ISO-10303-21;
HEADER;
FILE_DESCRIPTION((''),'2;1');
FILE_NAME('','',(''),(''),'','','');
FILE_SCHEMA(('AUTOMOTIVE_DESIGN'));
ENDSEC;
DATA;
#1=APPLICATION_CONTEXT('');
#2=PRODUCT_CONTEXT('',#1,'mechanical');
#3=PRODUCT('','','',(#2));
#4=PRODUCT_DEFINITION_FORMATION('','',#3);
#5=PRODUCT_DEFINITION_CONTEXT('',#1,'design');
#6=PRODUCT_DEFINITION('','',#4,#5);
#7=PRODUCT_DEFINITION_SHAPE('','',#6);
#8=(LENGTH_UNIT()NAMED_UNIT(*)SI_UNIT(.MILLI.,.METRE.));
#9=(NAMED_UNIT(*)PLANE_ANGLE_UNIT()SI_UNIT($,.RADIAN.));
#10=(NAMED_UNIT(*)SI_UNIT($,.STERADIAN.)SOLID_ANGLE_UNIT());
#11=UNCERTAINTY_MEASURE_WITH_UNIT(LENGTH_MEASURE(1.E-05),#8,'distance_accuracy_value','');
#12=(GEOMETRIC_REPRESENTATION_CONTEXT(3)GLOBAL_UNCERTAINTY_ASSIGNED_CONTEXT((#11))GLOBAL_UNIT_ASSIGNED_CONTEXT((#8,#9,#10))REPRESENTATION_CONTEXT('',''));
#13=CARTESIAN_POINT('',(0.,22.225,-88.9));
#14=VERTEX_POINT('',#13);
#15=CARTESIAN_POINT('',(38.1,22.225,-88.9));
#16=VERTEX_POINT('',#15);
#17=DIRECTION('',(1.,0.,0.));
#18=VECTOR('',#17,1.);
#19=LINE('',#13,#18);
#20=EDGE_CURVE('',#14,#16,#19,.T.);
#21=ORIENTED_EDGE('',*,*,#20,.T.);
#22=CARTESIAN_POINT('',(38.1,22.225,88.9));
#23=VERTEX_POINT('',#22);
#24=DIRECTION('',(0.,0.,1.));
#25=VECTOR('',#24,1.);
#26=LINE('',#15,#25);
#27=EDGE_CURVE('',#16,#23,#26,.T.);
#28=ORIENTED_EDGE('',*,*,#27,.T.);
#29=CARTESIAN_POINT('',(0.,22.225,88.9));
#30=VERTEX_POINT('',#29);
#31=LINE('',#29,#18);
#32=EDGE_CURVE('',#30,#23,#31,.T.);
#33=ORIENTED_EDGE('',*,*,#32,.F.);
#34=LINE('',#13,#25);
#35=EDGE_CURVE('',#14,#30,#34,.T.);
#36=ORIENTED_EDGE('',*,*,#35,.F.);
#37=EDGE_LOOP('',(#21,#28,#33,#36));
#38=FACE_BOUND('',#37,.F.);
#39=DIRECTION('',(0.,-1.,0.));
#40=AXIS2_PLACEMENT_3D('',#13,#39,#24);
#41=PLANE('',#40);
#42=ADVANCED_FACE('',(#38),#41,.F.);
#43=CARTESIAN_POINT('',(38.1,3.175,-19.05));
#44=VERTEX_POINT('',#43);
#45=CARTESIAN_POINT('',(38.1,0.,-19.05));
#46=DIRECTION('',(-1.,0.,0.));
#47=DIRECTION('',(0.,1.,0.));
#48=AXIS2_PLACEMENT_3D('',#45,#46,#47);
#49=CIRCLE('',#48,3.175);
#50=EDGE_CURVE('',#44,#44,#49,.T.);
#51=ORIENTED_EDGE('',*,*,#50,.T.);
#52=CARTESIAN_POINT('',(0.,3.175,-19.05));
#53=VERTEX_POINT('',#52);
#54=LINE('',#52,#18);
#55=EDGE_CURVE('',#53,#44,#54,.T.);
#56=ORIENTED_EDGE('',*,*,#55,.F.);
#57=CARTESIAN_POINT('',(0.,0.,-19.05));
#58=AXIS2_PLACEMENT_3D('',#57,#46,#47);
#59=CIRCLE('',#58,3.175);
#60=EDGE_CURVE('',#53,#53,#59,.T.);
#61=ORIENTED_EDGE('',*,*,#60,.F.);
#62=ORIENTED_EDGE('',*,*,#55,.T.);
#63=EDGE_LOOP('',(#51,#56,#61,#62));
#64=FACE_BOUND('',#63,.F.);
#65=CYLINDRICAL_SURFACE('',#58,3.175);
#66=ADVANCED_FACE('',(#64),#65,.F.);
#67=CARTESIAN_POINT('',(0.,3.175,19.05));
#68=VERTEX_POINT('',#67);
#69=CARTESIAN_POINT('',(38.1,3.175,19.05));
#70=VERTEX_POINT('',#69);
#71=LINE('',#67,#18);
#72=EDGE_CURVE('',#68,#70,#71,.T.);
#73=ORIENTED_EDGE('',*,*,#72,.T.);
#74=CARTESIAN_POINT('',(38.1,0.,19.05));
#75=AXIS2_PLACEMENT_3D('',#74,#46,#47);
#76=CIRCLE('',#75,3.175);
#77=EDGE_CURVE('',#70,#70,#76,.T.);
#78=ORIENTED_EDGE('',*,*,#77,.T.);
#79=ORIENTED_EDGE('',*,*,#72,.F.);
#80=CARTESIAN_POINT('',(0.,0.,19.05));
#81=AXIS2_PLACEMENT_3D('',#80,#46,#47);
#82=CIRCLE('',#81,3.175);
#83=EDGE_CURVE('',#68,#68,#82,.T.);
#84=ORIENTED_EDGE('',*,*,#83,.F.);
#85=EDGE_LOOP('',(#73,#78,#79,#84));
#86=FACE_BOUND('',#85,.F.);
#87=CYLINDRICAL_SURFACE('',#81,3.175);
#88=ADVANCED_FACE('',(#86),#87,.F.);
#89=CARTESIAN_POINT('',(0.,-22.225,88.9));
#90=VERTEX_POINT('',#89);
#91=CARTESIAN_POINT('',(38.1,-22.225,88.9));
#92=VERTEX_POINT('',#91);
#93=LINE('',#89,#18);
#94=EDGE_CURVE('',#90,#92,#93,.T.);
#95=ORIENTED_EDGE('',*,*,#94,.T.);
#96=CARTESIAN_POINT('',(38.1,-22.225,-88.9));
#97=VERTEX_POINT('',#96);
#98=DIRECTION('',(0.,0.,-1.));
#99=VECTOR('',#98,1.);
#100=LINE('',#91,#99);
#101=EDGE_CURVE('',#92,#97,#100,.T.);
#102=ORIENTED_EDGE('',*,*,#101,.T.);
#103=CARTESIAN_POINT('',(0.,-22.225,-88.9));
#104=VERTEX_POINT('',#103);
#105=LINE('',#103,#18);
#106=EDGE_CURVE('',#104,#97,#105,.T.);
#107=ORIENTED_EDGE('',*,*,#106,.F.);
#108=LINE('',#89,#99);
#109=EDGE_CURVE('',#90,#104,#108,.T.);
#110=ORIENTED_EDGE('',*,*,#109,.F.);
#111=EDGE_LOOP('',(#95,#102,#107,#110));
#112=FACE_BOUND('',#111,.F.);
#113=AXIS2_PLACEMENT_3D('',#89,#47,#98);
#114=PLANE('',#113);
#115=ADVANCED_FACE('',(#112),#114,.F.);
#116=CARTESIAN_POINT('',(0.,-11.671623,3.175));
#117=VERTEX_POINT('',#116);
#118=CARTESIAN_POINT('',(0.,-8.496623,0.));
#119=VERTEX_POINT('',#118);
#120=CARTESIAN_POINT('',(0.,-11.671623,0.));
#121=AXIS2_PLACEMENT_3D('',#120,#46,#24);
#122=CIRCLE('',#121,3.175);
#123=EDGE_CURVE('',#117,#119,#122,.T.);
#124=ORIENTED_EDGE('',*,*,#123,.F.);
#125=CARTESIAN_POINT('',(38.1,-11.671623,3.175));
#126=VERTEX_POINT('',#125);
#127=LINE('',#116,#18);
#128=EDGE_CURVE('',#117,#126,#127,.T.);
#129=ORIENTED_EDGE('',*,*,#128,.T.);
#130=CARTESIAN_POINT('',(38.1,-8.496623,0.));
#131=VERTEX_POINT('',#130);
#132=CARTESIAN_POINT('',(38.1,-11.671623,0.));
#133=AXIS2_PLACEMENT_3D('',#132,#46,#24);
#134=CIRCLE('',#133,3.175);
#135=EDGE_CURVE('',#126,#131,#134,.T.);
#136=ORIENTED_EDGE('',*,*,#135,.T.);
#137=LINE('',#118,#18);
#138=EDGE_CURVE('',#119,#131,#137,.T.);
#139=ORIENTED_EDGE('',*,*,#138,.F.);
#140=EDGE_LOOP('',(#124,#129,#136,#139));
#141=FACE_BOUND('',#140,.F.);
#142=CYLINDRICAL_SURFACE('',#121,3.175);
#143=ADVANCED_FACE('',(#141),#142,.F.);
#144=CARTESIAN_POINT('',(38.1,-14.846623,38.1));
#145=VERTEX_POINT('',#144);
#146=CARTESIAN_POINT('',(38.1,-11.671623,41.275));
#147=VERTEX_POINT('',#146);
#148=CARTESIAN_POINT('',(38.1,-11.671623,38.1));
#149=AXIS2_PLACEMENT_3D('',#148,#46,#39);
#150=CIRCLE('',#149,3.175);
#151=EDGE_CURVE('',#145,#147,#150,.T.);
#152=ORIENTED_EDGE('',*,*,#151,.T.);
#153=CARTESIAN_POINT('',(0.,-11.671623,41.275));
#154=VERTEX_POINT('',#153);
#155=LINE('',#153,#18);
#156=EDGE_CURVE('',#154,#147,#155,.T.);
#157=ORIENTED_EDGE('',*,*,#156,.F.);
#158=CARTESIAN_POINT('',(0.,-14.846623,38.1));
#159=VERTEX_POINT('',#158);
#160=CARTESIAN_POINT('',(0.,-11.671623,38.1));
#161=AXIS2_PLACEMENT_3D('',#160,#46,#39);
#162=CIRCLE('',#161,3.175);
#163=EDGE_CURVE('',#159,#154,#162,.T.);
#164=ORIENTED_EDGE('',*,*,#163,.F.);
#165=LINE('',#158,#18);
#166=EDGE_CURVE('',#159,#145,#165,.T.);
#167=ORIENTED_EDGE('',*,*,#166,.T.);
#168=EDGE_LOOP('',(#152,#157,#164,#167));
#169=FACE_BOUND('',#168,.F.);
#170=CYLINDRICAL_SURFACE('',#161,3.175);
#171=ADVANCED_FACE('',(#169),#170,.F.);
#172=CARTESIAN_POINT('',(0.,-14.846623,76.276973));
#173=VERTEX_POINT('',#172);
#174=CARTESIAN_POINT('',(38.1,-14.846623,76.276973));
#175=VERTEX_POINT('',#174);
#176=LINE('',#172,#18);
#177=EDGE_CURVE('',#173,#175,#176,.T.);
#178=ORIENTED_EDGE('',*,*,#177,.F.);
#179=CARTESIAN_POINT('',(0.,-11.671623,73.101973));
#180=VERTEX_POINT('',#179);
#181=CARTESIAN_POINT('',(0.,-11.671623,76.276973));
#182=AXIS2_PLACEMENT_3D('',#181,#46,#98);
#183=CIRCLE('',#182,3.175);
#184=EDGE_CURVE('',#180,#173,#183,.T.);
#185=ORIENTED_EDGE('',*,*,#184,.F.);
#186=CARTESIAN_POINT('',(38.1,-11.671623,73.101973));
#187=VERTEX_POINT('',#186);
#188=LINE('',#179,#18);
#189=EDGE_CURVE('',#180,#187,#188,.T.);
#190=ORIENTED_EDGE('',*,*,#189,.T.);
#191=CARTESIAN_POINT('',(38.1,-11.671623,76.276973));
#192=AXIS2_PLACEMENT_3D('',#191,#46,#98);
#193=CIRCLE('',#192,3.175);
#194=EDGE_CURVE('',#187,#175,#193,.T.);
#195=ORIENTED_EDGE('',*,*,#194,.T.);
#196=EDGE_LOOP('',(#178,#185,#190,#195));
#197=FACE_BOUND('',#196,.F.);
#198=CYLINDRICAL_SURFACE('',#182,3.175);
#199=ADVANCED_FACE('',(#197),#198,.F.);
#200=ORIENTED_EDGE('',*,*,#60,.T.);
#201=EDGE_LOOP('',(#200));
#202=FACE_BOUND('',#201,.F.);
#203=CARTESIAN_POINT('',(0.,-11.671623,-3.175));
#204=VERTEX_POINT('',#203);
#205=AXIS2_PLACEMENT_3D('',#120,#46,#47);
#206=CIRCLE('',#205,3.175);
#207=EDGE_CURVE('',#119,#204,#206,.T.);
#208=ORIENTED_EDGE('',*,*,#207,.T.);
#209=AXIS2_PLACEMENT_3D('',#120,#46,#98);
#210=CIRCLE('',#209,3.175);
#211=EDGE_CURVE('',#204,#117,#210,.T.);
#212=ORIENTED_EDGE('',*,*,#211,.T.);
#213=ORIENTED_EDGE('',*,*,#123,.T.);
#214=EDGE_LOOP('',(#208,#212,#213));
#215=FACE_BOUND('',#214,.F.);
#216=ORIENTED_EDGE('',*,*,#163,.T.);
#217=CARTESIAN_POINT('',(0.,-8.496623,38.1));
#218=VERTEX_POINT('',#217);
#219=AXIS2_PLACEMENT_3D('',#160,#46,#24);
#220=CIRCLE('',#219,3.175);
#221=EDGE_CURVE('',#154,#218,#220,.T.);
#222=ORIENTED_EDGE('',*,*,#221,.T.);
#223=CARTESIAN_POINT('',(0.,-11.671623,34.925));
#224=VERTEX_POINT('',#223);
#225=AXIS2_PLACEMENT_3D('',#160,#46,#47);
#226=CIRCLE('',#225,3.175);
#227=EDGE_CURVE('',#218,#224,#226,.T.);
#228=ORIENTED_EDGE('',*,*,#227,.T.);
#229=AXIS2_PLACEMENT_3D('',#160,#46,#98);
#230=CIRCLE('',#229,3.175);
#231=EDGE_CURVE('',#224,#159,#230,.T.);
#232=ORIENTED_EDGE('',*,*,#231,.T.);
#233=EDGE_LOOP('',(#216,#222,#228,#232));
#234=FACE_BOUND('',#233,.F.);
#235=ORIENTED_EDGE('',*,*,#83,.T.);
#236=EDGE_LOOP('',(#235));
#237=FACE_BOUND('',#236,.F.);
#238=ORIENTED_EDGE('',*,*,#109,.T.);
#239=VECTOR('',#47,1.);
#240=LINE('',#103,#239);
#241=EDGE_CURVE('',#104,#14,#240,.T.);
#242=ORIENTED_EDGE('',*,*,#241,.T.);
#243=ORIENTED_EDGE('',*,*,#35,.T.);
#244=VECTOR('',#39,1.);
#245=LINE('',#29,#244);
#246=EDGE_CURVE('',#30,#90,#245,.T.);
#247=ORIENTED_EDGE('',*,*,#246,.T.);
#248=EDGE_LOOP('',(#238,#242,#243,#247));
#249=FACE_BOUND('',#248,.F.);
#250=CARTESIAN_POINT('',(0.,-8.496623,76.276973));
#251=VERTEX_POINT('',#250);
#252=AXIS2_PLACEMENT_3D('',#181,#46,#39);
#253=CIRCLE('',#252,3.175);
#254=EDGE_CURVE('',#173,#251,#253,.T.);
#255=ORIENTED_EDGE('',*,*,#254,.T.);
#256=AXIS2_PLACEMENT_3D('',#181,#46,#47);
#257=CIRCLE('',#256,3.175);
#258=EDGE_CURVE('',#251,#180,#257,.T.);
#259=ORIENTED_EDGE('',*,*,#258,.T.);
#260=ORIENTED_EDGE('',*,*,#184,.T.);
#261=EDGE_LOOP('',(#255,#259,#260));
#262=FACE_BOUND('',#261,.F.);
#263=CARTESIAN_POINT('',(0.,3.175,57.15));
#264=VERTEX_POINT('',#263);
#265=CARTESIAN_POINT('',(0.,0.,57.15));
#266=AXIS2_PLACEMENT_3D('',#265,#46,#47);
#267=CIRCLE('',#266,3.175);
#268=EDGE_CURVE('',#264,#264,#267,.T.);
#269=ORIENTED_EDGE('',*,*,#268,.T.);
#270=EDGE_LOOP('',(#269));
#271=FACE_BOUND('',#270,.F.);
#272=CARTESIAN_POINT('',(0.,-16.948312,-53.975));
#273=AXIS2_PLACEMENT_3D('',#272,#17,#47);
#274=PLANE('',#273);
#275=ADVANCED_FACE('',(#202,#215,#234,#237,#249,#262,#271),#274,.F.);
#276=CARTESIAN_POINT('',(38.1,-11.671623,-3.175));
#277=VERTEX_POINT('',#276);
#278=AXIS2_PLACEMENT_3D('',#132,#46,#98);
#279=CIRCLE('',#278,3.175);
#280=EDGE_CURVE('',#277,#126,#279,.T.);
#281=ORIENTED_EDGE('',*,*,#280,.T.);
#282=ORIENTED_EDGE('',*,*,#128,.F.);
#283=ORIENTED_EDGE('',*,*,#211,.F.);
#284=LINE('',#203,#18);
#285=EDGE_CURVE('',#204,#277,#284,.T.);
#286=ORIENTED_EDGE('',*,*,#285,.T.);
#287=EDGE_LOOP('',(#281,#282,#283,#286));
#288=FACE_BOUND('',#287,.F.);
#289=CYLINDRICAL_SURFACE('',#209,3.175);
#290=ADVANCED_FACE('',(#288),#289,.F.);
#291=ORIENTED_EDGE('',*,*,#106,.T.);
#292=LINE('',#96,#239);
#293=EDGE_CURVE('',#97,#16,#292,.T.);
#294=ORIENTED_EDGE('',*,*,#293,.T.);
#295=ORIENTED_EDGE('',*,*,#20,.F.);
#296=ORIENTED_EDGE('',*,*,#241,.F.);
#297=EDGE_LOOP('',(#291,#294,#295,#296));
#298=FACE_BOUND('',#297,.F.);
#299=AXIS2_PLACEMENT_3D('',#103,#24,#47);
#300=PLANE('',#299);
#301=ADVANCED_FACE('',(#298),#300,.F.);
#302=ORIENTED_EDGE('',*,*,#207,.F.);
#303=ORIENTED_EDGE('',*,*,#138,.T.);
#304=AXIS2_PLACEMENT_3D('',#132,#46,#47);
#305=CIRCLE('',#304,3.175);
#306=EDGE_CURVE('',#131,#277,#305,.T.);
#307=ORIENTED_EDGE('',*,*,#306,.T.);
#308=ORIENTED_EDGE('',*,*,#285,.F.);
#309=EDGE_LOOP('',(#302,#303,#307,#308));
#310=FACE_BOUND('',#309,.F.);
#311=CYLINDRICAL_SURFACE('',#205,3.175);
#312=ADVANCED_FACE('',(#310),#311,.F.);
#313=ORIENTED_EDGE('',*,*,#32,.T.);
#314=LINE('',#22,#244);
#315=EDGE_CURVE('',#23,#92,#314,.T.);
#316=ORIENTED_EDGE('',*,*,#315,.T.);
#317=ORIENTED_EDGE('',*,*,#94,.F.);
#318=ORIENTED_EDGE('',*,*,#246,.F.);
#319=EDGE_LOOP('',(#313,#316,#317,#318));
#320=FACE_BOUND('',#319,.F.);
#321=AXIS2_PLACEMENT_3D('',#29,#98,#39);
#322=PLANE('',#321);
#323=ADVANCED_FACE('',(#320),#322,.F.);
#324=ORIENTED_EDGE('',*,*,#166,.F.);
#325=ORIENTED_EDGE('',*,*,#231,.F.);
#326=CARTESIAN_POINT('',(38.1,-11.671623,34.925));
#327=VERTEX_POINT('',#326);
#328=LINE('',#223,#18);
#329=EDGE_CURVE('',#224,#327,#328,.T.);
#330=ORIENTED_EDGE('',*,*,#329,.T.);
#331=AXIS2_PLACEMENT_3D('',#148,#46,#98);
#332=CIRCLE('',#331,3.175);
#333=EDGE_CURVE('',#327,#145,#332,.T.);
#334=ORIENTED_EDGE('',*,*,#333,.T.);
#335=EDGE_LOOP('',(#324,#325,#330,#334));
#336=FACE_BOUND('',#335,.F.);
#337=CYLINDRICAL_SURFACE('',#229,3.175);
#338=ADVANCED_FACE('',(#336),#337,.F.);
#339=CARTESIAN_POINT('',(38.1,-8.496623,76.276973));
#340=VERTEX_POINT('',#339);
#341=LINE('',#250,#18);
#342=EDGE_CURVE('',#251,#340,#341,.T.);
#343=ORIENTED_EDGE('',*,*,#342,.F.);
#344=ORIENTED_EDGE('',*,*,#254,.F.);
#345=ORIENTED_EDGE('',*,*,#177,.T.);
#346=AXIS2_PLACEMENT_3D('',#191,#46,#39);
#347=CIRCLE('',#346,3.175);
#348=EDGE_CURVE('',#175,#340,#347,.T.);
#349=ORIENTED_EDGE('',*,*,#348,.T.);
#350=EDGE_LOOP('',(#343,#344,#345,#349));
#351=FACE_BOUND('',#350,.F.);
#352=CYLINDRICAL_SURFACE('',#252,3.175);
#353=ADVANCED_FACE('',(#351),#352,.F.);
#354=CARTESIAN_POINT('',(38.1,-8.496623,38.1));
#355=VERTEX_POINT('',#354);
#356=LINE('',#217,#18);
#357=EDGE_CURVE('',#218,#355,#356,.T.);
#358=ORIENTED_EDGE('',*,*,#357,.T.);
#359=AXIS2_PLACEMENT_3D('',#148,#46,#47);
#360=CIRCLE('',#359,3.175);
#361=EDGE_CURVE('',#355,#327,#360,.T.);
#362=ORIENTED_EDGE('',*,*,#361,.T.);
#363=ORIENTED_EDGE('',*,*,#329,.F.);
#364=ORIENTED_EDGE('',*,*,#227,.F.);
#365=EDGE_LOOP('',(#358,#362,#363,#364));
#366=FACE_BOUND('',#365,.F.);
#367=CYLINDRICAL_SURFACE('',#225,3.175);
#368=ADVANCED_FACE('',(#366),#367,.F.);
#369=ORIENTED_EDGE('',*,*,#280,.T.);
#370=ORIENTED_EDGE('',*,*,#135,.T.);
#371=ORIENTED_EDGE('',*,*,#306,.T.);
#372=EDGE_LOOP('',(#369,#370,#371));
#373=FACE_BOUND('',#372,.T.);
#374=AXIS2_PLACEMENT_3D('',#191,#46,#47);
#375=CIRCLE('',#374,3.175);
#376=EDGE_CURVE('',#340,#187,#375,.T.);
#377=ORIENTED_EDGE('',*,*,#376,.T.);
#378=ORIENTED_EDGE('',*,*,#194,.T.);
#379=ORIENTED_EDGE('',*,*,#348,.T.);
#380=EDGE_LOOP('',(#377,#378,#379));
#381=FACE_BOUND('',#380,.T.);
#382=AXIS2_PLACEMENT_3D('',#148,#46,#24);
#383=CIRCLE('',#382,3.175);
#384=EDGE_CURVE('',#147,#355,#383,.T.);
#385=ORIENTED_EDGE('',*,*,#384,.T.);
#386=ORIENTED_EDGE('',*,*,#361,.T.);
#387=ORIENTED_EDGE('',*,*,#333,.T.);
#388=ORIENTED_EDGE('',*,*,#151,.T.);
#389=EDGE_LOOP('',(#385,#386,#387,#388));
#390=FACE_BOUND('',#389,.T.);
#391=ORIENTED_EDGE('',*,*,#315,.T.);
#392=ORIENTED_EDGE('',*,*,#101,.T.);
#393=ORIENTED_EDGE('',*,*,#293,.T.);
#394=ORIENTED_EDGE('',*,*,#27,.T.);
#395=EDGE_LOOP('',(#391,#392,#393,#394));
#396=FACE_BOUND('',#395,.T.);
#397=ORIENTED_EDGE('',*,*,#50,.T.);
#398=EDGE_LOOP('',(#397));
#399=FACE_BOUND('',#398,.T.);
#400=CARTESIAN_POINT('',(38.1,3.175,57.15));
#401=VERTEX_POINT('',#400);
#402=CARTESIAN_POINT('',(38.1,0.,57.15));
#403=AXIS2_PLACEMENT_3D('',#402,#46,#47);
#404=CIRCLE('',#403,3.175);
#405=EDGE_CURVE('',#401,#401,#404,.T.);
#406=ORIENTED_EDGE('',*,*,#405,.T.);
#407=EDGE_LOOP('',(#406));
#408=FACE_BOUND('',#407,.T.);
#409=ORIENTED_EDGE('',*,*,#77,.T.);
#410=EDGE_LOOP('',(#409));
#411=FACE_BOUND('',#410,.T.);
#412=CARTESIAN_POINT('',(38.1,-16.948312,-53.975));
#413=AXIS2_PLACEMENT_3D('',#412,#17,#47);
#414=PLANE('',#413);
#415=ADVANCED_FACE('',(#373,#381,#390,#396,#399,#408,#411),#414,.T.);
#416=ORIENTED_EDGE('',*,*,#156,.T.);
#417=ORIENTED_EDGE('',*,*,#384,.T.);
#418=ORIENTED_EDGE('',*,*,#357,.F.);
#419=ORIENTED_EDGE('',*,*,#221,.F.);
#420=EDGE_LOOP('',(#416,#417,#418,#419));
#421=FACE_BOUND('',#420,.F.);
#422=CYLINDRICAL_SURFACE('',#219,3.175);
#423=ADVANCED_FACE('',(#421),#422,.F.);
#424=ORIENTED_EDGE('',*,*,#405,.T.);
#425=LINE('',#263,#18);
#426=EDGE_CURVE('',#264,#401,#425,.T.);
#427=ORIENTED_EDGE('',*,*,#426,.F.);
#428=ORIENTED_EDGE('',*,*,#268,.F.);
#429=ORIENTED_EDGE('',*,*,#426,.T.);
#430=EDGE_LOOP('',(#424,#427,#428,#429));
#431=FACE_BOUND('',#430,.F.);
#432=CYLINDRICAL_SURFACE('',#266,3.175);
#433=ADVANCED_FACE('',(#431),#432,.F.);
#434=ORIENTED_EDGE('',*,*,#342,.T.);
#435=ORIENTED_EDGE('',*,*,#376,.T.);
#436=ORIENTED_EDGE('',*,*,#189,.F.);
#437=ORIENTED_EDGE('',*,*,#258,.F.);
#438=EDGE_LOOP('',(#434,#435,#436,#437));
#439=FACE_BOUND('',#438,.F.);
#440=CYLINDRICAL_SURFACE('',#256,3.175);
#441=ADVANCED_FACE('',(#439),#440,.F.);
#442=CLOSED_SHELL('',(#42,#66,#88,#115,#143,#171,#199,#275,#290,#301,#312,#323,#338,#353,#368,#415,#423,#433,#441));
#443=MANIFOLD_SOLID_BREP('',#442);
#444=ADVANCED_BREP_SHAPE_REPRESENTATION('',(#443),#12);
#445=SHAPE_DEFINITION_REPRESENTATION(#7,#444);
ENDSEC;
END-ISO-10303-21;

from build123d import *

# Parameters (mm, degrees)
F0_W     = 10.5533769431
F0_H     = 69.85
F1_DEPTH = 38.1


with BuildPart() as f1:
    # F0 (on Right) → F1 (new body)
    with BuildSketch(Plane.YZ):
        with Locations((-16.9483115284, -53.975)):
            Rectangle(F0_W, F0_H)
        with BuildLine():
            Line((22.225, -88.9), (22.225, -19.05))
            Line((22.225, -19.05), (3.175, -19.05))
            ThreePointArc((3.175, -19.05), (0, -22.225), (-3.175, -19.05))
            Line((-3.175, -19.05), (-11.6716230569, -19.05))
            Line((-11.6716230569, -19.05), (-11.6716230569, -88.9))
            Line((-11.6716230569, -88.9), (22.225, -88.9))
        make_face()
        with BuildLine():
            Line((-14.8466230569, 38.1000004709), (-22.225, 38.1000004709))
            Line((-22.225, 38.1000004709), (-22.225, 19.05))
            Line((-22.225, 19.05), (-11.6716230569, 19.05))
            Line((-11.6716230569, 19.05), (-11.6716230569, 34.9250004709))
            ThreePointArc((-11.6716230569, 34.9250004709), (-13.9166870871, 35.8549364406), (-14.8466230569, 38.1000004709))
        make_face()
        with BuildLine():
            Line((-11.6716230569, 19.05), (-22.225, 19.05))
            Line((-22.225, 19.05), (-22.225, -19.05))
            Line((-22.225, -19.05), (-11.6716230569, -19.05))
            Line((-11.6716230569, -19.05), (-11.6716230569, -3.175))
            ThreePointArc((-11.6716230569, -3.175), (-14.8466230569, 0), (-11.6716230569, 3.175))
            Line((-11.6716230569, 3.175), (-11.6716230569, 19.05))
        make_face()
        with BuildLine():
            Line((22.225, 88.9), (-22.225, 88.9))
            Line((-22.225, 88.9), (-22.225, 76.2769728899))
            Line((-22.225, 76.2769728899), (-14.8466230569, 76.2769728899))
            ThreePointArc((-14.8466230569, 76.2769728899), (-11.6716230569, 79.4519728899), (-8.4966230569, 76.2769728899))
            Line((-8.4966230569, 76.2769728899), (22.225, 76.2769728899))
            Line((22.225, 76.2769728899), (22.225, 88.9))
        make_face()
        with BuildLine():
            Line((22.225, 19.05), (22.225, 38.1000004709))
            Line((22.225, 38.1000004709), (-8.4966230569, 38.1000004709))
            ThreePointArc((-8.4966230569, 38.1000004709), (-9.4265590266, 35.8549364406), (-11.6716230569, 34.9250004709))
            Line((-11.6716230569, 34.9250004709), (-11.6716230569, 19.05))
            Line((-11.6716230569, 19.05), (-3.175, 19.05))
            ThreePointArc((-3.175, 19.05), (0, 22.225), (3.175, 19.05))
            Line((3.175, 19.05), (22.225, 19.05))
        make_face()
        with BuildLine():
            Line((22.225, 57.15), (22.225, 76.2769728899))
            Line((22.225, 76.2769728899), (-8.4966230569, 76.2769728899))
            ThreePointArc((-8.4966230569, 76.2769728899), (-9.4265590266, 74.0319088596), (-11.6716230569, 73.1019728899))
            Line((-11.6716230569, 73.1019728899), (-11.6716230569, 57.15))
            Line((-11.6716230569, 57.15), (-3.175, 57.15))
            ThreePointArc((-3.175, 57.15), (0, 60.325), (3.175, 57.15))
            Line((3.175, 57.15), (22.225, 57.15))
        make_face()
        with BuildLine():
            Line((-14.8466230569, 76.2769728899), (-22.225, 76.2769728899))
            Line((-22.225, 76.2769728899), (-22.225, 57.15))
            Line((-22.225, 57.15), (-11.6716230569, 57.15))
            Line((-11.6716230569, 57.15), (-11.6716230569, 73.1019728899))
            ThreePointArc((-11.6716230569, 73.1019728899), (-13.9166870871, 74.0319088596), (-14.8466230569, 76.2769728899))
        make_face()
        with BuildLine():
            Line((-11.6716230569, 57.15), (-22.225, 57.15))
            Line((-22.225, 57.15), (-22.225, 38.1000004709))
            Line((-22.225, 38.1000004709), (-14.8466230569, 38.1000004709))
            ThreePointArc((-14.8466230569, 38.1000004709), (-13.9166870871, 40.3450645011), (-11.6716230569, 41.2750004709))
            Line((-11.6716230569, 41.2750004709), (-11.6716230569, 57.15))
        make_face()
        with BuildLine():
            Line((22.225, 38.1000004709), (22.225, 57.15))
            Line((22.225, 57.15), (3.175, 57.15))
            ThreePointArc((3.175, 57.15), (0, 53.975), (-3.175, 57.15))
            Line((-3.175, 57.15), (-11.6716230569, 57.15))
            Line((-11.6716230569, 57.15), (-11.6716230569, 41.2750004709))
            ThreePointArc((-11.6716230569, 41.2750004709), (-9.4265590266, 40.3450645011), (-8.4966230569, 38.1000004709))
            Line((-8.4966230569, 38.1000004709), (22.225, 38.1000004709))
        make_face()
        with BuildLine():
            Line((22.225, -19.05), (22.225, 19.05))
            Line((22.225, 19.05), (3.175, 19.05))
            ThreePointArc((3.175, 19.05), (0, 15.875), (-3.175, 19.05))
            Line((-3.175, 19.05), (-11.6716230569, 19.05))
            Line((-11.6716230569, 19.05), (-11.6716230569, 3.175))
            ThreePointArc((-11.6716230569, 3.175), (-9.4265590266, 2.2450640303), (-8.4966230569, 0))
            ThreePointArc((-8.4966230569, 0), (-9.4265590266, -2.2450640303), (-11.6716230569, -3.175))
            Line((-11.6716230569, -3.175), (-11.6716230569, -19.05))
            Line((-11.6716230569, -19.05), (-3.175, -19.05))
            ThreePointArc((-3.175, -19.05), (0, -15.875), (3.175, -19.05))
            Line((3.175, -19.05), (22.225, -19.05))
        make_face()
    extrude(amount=F1_DEPTH)


solid = f1.part
